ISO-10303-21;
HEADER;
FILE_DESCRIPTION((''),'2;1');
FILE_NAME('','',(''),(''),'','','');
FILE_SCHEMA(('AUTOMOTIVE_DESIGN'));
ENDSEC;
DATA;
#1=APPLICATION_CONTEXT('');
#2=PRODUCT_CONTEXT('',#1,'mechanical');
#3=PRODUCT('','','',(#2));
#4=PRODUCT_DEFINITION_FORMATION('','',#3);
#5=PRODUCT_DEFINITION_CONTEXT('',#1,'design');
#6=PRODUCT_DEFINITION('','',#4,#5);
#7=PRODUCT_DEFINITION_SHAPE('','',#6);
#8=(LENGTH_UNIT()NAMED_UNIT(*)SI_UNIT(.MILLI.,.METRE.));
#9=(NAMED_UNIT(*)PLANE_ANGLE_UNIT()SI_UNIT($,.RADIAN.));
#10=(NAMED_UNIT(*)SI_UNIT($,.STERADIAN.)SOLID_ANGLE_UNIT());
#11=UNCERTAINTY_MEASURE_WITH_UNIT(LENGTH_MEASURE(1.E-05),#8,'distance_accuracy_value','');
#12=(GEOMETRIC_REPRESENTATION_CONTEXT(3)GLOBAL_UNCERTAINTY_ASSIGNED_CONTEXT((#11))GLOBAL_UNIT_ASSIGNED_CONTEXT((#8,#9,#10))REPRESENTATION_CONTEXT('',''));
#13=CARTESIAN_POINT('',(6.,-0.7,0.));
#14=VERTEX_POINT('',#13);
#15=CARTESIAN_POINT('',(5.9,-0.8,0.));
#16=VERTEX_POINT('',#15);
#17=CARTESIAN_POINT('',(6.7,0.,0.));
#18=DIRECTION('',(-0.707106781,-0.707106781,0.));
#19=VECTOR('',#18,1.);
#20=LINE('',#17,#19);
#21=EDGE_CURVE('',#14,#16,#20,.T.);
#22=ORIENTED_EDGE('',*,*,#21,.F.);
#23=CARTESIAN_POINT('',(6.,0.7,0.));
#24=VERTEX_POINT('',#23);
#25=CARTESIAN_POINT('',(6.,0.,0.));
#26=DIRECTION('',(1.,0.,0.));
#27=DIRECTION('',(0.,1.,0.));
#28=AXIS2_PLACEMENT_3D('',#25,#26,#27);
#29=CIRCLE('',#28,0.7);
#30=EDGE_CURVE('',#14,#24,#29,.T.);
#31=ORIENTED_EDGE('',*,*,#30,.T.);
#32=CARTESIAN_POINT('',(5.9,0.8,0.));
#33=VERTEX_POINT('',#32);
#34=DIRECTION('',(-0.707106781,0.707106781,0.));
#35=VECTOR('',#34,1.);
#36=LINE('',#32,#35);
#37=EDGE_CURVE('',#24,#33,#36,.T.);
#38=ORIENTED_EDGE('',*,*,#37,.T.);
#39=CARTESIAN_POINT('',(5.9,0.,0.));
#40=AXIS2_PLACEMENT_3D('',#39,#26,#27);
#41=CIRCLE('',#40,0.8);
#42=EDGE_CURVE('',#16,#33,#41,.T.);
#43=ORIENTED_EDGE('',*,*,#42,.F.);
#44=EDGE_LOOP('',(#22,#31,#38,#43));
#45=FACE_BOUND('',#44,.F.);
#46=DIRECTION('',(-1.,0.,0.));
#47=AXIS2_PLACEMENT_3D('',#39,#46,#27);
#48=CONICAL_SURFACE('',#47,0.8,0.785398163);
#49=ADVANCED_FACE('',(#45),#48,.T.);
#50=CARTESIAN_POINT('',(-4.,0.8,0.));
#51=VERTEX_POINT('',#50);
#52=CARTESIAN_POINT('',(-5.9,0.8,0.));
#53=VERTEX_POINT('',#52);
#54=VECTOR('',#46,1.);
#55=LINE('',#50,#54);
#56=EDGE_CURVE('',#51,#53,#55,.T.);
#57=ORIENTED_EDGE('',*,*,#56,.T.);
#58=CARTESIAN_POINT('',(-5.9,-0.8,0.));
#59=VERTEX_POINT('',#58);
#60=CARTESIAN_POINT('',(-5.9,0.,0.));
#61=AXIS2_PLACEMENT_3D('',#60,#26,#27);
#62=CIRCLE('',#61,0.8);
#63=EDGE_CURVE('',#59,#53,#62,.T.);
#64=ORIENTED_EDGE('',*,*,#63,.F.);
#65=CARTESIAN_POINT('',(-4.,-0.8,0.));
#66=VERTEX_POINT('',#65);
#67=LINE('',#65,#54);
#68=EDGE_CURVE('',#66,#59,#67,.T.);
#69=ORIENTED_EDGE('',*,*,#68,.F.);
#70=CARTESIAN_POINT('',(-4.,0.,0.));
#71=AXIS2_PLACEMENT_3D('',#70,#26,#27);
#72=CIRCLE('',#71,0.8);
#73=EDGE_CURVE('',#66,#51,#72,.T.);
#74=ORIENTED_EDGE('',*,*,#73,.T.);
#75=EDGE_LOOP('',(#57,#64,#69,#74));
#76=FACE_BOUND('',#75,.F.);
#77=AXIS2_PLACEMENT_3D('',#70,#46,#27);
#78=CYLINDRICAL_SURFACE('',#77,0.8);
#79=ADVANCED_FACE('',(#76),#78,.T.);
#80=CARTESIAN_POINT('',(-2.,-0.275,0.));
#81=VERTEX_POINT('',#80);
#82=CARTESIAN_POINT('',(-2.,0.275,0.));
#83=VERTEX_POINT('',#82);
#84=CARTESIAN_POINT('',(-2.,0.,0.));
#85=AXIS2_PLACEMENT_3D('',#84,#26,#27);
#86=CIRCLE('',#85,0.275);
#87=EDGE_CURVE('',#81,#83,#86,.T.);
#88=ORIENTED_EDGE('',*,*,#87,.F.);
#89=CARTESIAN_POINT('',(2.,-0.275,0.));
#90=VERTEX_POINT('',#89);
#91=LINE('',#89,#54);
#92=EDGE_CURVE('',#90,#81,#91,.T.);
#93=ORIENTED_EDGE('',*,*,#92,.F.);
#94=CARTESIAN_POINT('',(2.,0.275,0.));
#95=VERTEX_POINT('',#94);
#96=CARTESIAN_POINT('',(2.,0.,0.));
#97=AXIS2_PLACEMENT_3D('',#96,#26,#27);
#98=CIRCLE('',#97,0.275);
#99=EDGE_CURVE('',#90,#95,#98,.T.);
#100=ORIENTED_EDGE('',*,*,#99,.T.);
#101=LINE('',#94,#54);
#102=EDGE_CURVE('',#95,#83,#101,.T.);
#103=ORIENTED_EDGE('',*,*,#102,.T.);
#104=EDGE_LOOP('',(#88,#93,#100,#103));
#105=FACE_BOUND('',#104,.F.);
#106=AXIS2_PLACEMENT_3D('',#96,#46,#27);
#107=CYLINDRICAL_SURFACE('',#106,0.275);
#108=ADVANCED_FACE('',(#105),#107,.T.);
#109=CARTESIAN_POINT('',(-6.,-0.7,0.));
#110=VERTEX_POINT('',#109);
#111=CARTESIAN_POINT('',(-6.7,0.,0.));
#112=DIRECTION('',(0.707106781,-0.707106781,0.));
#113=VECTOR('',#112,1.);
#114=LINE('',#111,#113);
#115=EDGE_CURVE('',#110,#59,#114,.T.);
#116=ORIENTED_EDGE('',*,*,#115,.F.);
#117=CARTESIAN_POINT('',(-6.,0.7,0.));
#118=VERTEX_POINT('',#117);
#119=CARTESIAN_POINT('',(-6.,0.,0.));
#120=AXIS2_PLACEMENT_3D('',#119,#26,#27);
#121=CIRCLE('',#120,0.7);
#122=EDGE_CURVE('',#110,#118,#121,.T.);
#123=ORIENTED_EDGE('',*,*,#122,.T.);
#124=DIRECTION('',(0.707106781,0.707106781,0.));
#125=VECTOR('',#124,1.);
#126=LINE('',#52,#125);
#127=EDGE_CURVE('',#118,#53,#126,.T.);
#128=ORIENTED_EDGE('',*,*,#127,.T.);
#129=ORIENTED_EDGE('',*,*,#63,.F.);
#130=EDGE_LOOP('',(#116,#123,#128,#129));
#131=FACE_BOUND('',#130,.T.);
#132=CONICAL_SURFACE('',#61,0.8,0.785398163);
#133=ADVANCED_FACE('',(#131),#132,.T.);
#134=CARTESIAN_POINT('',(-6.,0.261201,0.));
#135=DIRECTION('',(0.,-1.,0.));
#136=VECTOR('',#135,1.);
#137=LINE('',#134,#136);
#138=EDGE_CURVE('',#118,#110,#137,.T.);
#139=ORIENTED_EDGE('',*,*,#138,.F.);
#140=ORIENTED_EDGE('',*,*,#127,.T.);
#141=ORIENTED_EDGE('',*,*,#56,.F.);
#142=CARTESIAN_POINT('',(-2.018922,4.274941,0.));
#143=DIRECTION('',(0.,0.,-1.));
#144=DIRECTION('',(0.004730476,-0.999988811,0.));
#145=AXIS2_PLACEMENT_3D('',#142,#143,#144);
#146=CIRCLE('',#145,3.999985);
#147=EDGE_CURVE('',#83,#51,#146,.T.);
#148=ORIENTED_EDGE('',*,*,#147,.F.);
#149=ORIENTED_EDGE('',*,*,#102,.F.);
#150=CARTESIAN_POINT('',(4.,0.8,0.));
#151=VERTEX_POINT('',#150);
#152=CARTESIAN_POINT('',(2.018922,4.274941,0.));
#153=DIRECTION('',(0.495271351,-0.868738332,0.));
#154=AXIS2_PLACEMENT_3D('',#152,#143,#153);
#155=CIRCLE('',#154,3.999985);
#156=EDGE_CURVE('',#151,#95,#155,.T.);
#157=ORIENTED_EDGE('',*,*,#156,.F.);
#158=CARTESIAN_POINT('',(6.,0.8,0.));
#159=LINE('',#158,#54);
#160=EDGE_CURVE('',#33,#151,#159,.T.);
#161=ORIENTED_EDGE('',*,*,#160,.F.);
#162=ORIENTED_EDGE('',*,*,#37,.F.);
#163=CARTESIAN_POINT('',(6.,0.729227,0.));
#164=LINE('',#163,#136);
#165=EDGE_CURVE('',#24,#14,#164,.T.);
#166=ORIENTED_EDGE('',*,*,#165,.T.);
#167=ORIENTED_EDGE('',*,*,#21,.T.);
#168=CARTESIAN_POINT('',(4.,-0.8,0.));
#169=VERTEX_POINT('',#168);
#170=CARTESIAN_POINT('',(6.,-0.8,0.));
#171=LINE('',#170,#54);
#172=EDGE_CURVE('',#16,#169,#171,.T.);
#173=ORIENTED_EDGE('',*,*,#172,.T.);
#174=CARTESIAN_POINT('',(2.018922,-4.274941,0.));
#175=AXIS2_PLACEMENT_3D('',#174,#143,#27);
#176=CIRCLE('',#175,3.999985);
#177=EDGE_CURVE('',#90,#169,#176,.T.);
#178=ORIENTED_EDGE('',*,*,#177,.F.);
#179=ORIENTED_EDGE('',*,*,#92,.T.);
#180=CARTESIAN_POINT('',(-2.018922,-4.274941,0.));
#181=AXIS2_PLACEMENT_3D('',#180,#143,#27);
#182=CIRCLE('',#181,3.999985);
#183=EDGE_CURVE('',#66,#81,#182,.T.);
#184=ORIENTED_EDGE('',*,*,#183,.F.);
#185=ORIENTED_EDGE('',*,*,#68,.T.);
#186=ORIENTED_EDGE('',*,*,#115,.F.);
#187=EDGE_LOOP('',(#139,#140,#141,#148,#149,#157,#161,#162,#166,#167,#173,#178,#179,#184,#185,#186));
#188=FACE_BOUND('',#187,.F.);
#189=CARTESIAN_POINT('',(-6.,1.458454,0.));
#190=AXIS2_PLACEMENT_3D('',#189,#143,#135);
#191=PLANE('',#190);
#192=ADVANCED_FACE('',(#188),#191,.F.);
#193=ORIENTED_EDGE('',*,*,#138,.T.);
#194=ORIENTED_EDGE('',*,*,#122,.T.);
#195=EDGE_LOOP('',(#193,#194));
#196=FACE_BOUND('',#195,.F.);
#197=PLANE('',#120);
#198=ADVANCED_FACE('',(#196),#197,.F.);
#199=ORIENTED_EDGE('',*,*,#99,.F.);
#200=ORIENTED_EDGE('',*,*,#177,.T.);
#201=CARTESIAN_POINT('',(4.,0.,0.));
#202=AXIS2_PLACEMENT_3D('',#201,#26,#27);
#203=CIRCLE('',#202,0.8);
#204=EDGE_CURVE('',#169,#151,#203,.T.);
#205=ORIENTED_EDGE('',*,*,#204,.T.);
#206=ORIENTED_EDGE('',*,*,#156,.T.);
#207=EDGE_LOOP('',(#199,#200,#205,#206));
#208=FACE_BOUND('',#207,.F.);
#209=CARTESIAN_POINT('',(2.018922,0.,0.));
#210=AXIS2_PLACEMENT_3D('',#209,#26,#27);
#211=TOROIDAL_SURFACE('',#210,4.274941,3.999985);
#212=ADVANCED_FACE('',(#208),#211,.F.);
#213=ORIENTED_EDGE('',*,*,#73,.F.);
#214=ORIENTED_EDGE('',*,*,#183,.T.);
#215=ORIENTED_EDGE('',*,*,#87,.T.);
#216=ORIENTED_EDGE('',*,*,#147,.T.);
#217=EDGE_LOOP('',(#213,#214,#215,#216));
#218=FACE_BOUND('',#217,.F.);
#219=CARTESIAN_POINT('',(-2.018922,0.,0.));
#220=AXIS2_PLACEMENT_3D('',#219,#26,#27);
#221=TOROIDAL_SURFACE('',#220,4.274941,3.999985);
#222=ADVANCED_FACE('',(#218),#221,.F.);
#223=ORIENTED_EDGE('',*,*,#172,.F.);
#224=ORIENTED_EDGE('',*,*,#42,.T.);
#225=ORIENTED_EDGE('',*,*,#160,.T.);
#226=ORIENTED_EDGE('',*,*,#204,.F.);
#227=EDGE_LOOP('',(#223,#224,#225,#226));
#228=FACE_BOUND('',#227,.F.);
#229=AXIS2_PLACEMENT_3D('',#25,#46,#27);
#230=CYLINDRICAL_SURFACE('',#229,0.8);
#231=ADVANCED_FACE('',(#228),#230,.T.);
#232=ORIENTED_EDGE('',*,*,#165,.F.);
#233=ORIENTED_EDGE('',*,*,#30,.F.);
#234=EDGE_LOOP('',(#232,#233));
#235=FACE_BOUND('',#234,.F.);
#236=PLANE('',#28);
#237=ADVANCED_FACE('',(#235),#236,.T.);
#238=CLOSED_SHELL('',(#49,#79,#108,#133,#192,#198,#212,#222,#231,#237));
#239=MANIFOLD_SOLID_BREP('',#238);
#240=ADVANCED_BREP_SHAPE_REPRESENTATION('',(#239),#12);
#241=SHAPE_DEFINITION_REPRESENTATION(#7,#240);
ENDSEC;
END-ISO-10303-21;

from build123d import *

# Parameters (mm, degrees)
F2_SIZE  = 0.1
F3_W     = 2.394506
F3_H     = 1.124954
F4_DEPTH = 12.001


with BuildPart() as f1:
    # F0 (on Top) → F1 (revolve)
    with BuildSketch(Plane.XY):
        with BuildLine():
            Line((-6, 0.8), (-6, 0))
            Line((-6, 0), (6, 0))
            Line((6, 0), (6, 0.8))
            Line((6, 0.8), (4, 0.8))
            ThreePointArc((4, 0.8), (3.034511, 0.406031), (2, 0.275))
            Line((2, 0.275), (0, 0.275))
            Line((0, 0.275), (-2, 0.275))
            ThreePointArc((-2, 0.275), (-3.034511, 0.406031), (-4, 0.8))
            Line((-4, 0.8), (-6, 0.8))
        make_face()
    revolve(axis=Axis((0, 0, 0), (1, 0, 0)))

    # F2
    f2_edges = [f1.edges().sort_by_distance(p)[0] for p in [
        (-6, -0.8, 0),
        (6, -0.8, 0),
    ]]
    chamfer(f2_edges, length=F2_SIZE)

    # F3 (on face) → F4 (cut, through all)
    with BuildSketch(Plane(origin=(-6, 0, 0), x_dir=(0, -1, 0), z_dir=(-1, 0, 0))):
        with Locations((-0.261201, 0.562477)):
            Rectangle(F3_W, F3_H)
    extrude(amount=-F4_DEPTH, mode=Mode.SUBTRACT)


solid = f1.part
